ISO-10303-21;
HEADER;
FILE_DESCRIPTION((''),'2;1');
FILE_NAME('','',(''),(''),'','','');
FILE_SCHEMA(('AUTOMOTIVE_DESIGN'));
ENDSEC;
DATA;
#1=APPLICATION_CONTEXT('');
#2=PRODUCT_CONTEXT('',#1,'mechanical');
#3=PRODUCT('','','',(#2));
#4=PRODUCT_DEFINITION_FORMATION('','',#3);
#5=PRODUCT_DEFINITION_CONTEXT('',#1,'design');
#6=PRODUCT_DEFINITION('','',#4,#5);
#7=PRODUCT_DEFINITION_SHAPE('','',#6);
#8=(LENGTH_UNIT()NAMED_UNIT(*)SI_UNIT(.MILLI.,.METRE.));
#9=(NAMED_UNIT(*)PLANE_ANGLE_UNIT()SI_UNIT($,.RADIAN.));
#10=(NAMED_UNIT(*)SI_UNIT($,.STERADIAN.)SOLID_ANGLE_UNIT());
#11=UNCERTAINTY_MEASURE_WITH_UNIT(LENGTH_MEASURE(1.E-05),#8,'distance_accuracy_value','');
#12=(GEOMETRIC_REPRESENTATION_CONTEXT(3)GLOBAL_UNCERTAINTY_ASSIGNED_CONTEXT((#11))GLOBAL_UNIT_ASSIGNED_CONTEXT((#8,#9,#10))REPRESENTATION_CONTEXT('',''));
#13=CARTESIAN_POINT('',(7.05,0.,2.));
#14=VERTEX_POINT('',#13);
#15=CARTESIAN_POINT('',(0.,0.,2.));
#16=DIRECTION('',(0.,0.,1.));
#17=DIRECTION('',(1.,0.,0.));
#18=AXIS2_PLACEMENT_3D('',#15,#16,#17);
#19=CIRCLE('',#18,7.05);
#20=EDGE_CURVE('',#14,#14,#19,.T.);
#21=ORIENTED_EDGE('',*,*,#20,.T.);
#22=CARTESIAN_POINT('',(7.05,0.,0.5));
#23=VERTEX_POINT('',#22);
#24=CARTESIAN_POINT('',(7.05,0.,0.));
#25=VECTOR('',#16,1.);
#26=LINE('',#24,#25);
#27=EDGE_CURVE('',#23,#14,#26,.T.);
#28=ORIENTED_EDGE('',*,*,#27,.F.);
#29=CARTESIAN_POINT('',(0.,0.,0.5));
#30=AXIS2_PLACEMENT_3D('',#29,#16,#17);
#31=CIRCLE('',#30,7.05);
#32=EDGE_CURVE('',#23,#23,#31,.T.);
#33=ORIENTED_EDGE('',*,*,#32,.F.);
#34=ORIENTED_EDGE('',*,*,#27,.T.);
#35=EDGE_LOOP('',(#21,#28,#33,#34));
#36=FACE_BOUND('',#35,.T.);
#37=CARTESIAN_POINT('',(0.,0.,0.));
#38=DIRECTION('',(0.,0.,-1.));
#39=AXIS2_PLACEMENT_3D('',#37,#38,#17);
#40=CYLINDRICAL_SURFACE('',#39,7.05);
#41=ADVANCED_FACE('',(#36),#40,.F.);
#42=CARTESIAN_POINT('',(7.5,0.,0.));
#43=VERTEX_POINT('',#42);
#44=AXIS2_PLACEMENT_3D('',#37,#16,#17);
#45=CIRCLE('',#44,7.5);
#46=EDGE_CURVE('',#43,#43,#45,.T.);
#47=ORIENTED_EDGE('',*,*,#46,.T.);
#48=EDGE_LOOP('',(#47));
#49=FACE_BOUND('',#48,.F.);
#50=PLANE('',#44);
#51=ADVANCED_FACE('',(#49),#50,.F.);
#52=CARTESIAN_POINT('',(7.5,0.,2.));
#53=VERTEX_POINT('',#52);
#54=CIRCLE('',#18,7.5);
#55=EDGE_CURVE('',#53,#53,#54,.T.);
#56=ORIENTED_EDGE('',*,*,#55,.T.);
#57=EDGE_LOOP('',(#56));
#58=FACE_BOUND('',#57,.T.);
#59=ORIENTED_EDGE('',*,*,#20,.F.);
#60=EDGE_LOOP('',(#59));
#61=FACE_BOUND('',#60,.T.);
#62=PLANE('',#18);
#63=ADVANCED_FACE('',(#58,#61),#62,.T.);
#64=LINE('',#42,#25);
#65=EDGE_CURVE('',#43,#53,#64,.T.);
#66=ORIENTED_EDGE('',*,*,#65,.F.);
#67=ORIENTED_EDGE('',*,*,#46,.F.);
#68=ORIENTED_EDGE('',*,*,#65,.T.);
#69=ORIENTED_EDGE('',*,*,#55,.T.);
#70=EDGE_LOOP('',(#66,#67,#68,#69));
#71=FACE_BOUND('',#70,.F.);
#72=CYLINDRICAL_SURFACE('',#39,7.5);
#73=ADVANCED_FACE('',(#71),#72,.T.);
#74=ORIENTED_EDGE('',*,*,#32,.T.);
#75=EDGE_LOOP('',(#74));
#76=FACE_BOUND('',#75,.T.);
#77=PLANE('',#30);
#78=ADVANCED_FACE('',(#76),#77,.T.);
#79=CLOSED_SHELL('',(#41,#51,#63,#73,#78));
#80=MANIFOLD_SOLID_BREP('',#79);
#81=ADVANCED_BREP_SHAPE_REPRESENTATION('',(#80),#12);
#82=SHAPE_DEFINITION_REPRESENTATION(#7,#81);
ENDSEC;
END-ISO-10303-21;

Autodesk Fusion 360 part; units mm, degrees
sketch "Sketch1" plane through (0, 0, 0) normal (0, 0, 1) x (1, 0, 0) in component "Component"
  line L0 (3.8891, 2.4749) -> (5.2486, 3.8344)
  circle A0 centre (0, 0) radius 6.5
  line L1 (-2.4749, 3.8891) -> (-3.8344, 5.2486)
  circle A1 centre (0, 0) radius 7.05
  line L2 (3.182, 3.182) -> (2.4749, 3.8891)
  line L3 (-3.182, 3.182) -> (-3.8891, 2.4749)
  line L4 (-3.182, -3.182) -> (-2.4749, -3.8891)
  line L5 (-3.8891, -2.4749) -> (-5.2486, -3.8344)
  line L6 (2.4749, -3.8891) -> (3.8344, -5.2486)
  line L7 (-2.4749, -3.8891) -> (-3.8344, -5.2486)
  line L8 (3.182, -3.182) -> (2.4749, -3.8891)
  line L9 (-3.182, -3.182) -> (-3.8891, -2.4749)
  circle A2 centre (0, 0) radius 7.5
  line L10 (3.182, 3.182) -> (3.8891, 2.4749)
  line L11 (-3.8891, 2.4749) -> (-5.2486, 3.8344)
  line L12 (-3.182, 3.182) -> (-2.4749, 3.8891)
  line L13 (3.8891, -2.4749) -> (5.2486, -3.8344)
  line L14 (3.182, -3.182) -> (3.8891, -2.4749)
  line L15 (2.4749, 3.8891) -> (3.8344, 5.2486)
  circle A3 centre (0, 0) radius 1.5
  dimension "d1" = 15
  dimension "d2" = 14.1
  dimension "d3" = 13
  dimension "d8" = 3
extrude "Extrude1" add sketch "Sketch1" along normal blind 2 contours A2 in component "Component"
extrude "Extrude2" add sketch "Sketch1" along normal blind 0.5 contours L0 A0 L2 L10 L15 | L0 A0 L1 L2 L3 L4 L5 L6 L7 L8 L9 L10 L11 L12 L13 L14 L15 | A0 L6 L8 L13 L14 | A0 L1 L3 L11 L12 | A0 L4 L5 L7 L9 | A1 | A3 in component "Component"
extrude "Extrude3" add sketch "Sketch1" along normal blind 30.5 contours A3 in component "Component"
extrude "Extrude4" cut 1 faces at (0.567, -0.5383, 30.5) along direction (0, 0, -1) blind 30 in component "Component"
extrude "Extrude5" add sketch "Sketch1" along normal blind 30.5 contours A3 in component "Component"
extrude "Extrude6" cut 1 faces at (0.567, -0.5383, 30.5) along direction (0, 0, -1) blind 30 in component "Component"
component "Component" placed x (1, 0, 0) y (0, 1, 0) z (0, 0, 1) at (0, 0, 0)
